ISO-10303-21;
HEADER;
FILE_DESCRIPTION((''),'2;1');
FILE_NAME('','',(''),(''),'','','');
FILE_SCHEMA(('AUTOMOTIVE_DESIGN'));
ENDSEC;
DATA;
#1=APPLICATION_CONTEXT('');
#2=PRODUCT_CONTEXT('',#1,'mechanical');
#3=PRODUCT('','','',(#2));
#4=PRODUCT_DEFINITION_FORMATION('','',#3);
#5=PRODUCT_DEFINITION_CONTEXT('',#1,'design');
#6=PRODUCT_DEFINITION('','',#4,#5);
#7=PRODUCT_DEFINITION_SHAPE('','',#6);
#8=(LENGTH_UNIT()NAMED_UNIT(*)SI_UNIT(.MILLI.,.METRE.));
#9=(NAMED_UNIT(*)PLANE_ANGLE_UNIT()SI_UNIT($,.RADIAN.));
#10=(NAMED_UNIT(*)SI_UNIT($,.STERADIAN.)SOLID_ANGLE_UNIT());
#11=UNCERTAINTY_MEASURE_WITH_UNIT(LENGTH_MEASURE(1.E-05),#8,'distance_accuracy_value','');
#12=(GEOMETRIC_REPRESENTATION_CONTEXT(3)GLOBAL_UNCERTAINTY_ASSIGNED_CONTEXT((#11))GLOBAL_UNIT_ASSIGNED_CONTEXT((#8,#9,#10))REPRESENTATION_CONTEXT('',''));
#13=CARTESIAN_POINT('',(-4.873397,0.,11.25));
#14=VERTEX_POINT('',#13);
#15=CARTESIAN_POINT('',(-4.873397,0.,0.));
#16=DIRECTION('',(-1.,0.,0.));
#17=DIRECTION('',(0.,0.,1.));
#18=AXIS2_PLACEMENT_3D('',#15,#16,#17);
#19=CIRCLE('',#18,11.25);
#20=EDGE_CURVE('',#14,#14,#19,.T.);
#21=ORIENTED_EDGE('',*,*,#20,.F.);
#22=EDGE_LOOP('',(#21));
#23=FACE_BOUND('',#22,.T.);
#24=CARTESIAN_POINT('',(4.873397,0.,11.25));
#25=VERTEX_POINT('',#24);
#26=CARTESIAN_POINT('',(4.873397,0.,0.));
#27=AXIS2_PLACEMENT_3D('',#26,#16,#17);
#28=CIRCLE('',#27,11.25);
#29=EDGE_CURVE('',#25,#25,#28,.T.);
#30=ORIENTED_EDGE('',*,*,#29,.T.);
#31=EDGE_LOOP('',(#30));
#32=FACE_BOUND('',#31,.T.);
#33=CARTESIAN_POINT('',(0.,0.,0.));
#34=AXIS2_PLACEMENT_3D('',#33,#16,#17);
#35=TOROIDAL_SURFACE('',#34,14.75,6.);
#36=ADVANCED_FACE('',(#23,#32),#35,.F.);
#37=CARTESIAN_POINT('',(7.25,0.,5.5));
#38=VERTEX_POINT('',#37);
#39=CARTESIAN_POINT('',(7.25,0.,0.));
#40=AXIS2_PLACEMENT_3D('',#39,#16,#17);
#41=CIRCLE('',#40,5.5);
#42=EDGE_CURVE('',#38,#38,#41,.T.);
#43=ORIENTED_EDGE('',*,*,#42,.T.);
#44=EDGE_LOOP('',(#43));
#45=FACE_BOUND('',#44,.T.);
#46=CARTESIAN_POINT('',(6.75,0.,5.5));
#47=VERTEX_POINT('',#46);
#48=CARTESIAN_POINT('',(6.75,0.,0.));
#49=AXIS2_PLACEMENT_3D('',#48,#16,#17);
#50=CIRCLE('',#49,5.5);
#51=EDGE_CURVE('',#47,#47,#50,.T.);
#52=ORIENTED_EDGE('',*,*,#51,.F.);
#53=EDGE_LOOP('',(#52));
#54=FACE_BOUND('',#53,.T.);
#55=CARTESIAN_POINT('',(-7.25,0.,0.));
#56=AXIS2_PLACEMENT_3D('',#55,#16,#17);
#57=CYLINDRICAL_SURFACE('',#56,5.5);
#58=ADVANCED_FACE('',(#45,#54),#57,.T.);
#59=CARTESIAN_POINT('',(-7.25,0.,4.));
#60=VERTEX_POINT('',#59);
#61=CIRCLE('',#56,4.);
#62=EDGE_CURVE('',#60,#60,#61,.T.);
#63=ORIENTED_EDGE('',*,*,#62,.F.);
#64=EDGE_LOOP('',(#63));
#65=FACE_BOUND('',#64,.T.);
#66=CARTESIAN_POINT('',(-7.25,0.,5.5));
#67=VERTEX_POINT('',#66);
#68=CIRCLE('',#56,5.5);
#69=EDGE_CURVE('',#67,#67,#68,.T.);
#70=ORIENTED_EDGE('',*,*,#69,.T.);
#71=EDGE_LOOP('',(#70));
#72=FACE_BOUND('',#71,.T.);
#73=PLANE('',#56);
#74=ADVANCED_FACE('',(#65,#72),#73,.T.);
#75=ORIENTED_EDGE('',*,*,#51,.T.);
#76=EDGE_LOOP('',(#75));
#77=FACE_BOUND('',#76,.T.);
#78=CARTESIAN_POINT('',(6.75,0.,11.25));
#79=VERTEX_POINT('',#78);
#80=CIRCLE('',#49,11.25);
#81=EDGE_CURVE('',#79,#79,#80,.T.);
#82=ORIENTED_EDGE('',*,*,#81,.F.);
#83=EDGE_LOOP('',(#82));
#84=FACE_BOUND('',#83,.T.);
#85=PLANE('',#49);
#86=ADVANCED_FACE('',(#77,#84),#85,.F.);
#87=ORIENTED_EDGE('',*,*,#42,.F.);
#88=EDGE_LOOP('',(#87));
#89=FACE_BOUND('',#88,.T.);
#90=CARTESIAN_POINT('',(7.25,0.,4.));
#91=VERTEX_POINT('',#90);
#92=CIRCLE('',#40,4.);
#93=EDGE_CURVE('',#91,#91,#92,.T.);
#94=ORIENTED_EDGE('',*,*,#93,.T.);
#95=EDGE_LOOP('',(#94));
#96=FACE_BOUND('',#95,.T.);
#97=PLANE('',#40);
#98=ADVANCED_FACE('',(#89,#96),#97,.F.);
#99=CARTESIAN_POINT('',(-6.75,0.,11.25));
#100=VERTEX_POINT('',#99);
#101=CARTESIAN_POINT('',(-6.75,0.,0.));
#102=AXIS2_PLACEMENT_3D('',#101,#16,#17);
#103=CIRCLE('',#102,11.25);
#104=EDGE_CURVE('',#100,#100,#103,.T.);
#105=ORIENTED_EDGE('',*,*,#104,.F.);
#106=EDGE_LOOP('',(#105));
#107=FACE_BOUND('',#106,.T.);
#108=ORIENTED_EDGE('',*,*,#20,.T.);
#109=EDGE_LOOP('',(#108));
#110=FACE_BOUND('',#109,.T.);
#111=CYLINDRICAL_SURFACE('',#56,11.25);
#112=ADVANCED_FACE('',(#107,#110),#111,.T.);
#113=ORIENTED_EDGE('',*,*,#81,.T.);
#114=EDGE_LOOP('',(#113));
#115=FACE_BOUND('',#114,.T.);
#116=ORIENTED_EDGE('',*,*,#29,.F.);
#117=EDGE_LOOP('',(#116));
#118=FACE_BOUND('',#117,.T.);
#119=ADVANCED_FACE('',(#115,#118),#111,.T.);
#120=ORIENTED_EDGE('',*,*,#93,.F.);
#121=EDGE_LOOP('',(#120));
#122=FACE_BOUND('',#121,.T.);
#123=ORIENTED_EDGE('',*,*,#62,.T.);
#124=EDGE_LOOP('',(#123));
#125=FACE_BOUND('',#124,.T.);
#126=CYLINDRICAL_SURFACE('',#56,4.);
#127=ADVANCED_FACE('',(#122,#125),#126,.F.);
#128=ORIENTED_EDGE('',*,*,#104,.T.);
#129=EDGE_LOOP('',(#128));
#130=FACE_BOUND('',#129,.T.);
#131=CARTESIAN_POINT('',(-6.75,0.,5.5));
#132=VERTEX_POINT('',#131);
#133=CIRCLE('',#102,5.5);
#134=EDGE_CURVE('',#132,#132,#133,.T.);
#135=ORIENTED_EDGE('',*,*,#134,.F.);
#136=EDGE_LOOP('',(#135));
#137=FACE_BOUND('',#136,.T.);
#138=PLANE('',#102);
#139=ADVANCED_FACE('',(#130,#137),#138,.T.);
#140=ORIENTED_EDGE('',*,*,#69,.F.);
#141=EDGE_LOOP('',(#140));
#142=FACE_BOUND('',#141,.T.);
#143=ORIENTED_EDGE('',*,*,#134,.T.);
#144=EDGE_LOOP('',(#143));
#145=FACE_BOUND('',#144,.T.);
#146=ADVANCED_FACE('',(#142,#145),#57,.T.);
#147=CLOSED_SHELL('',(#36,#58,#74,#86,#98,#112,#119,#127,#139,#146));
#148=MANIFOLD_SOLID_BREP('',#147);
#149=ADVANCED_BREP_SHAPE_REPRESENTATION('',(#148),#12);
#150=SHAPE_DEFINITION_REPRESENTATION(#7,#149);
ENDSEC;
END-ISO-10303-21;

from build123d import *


with BuildPart() as part:
    # Sketch1 → Revolve1 (revolve)
    with BuildSketch(Plane.XY, mode=Mode.PRIVATE) as revolve1_sk:
        with BuildLine():
            ThreePointArc((-4.873397172, 11.25), (0, 8.75), (4.873397172, 11.25))
            Line((4.873397172, 11.25), (6.75, 11.25))
            Line((6.75, 11.25), (6.75, 5.5))
            Line((6.75, 5.5), (7.25, 5.5))
            Line((7.25, 5.5), (7.25, 4))
            Line((7.25, 4), (-7.25, 4))
            Line((-7.25, 4), (-7.25, 5.5))
            Line((-7.25, 5.5), (-6.75, 5.5))
            Line((-6.75, 5.5), (-6.75, 11.25))
            Line((-6.75, 11.25), (-4.873397172, 11.25))
        make_face()
    revolve(revolve1_sk.sketch.rotate(Axis((-7.25, 0, 0), (1, 0, 0)), 90), axis=Axis((-7.25, 0, 0), (1, 0, 0)))


solid = part.part
